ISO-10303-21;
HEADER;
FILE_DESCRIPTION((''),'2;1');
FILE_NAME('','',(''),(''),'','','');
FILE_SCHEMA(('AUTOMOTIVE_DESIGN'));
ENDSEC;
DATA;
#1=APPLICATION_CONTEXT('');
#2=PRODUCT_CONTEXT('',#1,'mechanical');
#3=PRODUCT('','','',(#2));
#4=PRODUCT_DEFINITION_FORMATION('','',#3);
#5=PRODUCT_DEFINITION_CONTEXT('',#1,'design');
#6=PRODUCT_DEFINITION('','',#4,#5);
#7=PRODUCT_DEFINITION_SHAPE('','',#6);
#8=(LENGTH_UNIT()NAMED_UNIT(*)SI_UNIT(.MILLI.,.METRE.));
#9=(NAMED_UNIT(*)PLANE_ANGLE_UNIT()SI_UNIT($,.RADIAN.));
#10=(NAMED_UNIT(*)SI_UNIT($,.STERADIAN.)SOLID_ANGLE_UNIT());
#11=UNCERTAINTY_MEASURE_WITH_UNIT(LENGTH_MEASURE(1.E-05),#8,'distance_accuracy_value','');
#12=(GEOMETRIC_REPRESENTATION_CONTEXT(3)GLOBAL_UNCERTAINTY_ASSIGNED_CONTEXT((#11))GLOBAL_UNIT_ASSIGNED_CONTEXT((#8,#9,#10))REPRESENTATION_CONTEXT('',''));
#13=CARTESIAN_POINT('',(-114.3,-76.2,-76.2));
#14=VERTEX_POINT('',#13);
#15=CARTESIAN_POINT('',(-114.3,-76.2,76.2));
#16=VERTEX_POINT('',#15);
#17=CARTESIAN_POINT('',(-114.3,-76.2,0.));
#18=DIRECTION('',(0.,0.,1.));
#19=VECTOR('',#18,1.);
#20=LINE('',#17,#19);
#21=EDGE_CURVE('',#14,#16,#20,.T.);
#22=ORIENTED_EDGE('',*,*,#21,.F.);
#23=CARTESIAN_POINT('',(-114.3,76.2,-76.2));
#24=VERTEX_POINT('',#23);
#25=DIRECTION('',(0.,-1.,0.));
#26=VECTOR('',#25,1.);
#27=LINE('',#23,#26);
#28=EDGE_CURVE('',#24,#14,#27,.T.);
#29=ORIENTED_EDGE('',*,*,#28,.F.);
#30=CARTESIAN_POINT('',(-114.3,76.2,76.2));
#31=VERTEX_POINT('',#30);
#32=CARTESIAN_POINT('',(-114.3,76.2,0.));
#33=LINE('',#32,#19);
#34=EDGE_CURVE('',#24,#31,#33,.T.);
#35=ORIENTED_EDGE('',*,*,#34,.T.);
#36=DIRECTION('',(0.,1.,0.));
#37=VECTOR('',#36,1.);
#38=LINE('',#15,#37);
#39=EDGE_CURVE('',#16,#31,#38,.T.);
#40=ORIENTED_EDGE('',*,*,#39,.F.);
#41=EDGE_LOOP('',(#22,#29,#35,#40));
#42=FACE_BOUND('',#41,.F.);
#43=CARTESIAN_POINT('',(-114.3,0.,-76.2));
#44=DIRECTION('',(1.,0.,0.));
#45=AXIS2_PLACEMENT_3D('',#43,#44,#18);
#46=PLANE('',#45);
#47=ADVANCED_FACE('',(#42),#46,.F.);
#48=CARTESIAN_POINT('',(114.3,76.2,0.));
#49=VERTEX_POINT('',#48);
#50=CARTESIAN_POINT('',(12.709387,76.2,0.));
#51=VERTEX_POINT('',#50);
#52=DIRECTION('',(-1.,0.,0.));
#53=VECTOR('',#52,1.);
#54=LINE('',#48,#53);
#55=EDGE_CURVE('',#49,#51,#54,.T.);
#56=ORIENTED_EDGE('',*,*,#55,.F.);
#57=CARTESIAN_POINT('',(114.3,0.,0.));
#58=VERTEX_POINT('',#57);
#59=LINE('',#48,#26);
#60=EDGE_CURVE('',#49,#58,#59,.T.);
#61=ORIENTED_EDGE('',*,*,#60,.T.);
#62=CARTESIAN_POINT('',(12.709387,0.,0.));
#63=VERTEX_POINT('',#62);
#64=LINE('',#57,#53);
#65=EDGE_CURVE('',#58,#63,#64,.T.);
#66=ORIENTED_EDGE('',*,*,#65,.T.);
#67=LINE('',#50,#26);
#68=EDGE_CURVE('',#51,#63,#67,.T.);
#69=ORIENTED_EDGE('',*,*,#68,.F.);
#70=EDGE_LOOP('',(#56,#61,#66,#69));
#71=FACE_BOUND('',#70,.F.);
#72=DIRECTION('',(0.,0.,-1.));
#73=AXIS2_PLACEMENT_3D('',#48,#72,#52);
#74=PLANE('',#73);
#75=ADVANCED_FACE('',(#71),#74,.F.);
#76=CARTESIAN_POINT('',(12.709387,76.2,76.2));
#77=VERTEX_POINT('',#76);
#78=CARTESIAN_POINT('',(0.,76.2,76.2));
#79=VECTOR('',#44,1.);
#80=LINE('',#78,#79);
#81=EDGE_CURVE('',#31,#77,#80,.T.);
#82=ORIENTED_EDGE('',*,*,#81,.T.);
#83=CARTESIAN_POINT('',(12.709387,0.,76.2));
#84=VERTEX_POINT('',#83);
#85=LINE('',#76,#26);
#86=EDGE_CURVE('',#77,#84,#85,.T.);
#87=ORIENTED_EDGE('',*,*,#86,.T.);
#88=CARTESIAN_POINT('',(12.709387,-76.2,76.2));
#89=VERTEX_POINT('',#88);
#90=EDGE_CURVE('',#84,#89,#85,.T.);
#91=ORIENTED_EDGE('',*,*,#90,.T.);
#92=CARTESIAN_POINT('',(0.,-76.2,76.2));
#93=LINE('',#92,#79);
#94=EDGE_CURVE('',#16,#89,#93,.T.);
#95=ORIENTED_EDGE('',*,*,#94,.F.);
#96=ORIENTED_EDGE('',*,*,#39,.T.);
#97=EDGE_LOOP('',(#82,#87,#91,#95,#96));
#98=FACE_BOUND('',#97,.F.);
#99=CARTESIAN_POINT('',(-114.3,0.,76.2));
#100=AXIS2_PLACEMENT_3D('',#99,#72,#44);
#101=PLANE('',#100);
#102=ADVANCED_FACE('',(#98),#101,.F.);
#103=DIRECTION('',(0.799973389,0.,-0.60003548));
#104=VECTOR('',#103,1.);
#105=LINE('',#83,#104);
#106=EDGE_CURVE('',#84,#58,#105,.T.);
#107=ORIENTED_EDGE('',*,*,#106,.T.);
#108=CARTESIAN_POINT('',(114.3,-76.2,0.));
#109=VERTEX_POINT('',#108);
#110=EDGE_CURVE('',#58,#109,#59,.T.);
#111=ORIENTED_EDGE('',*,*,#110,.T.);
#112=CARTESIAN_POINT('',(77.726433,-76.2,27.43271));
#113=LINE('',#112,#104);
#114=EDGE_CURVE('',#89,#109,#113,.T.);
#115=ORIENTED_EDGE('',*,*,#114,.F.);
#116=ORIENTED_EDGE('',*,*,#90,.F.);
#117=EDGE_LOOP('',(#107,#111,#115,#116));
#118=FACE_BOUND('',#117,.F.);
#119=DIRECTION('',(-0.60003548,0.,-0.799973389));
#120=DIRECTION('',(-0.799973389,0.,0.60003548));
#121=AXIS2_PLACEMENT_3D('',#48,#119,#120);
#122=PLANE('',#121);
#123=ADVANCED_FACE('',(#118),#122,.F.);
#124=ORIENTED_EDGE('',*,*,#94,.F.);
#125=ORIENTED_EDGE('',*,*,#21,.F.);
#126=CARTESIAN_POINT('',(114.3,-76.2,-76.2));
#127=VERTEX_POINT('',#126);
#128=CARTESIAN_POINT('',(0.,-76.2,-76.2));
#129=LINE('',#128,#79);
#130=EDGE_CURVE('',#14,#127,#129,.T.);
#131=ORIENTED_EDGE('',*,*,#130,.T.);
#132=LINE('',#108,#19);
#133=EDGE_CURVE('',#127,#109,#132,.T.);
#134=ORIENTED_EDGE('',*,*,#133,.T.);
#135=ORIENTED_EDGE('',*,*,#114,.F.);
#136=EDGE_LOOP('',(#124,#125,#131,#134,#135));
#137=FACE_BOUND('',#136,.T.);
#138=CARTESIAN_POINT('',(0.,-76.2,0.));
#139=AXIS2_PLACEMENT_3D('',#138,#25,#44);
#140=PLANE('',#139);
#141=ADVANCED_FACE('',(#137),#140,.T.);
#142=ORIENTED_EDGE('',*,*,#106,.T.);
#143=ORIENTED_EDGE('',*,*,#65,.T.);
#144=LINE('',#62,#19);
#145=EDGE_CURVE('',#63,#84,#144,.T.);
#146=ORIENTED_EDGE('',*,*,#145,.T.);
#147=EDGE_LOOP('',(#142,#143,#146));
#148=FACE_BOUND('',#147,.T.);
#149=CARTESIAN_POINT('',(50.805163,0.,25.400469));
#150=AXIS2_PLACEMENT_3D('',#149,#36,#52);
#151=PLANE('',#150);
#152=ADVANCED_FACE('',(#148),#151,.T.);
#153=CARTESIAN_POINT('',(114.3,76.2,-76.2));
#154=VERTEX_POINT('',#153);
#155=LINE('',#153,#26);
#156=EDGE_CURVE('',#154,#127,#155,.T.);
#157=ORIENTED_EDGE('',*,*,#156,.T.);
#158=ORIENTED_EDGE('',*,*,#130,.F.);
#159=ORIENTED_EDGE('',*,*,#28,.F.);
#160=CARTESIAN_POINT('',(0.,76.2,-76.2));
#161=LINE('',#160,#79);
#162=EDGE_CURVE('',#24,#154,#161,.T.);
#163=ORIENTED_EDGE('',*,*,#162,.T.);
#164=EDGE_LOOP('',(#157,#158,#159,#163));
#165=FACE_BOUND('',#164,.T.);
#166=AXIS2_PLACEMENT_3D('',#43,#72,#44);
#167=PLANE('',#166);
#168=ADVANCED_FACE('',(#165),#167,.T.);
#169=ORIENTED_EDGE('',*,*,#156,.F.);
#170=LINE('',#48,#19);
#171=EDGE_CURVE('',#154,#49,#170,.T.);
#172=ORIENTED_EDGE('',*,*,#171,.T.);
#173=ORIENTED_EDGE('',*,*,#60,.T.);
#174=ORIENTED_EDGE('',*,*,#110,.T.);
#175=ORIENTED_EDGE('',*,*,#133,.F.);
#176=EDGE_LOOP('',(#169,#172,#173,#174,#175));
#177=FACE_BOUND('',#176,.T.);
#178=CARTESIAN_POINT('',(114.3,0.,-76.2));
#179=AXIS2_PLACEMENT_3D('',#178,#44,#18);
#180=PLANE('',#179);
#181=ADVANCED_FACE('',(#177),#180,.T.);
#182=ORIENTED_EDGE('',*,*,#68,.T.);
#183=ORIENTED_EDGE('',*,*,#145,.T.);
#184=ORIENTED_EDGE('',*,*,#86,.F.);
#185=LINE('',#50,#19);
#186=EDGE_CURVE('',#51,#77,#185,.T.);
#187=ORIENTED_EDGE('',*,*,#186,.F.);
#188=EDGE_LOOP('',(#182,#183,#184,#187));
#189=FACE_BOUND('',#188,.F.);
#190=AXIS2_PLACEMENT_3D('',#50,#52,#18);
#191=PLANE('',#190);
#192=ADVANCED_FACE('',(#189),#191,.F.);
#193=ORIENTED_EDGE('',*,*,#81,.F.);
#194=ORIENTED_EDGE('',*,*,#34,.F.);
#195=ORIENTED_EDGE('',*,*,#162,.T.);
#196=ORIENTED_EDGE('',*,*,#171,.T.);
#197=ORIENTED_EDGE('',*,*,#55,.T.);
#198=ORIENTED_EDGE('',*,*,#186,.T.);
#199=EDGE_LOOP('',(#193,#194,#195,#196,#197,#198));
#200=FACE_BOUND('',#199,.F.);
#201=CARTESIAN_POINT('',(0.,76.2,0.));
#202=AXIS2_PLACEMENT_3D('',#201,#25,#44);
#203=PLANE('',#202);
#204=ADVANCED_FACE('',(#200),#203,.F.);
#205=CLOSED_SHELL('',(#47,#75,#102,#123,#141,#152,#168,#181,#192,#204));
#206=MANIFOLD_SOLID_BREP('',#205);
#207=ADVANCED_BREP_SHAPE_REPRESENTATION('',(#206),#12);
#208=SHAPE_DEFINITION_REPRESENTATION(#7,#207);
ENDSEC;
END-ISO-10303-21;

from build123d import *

# Parameters (mm, degrees)
F0_W     = 228.6
F0_H     = 152.4
F1_DEPTH = 76.2
F3_DEPTH = 152.401
F5_DEPTH = 76.2


with BuildPart() as f1:
    # F0 (on Front) → F1 (new body, symmetric)
    with BuildSketch(Plane.XZ):
        Rectangle(F0_W, F0_H)
    extrude(amount=F1_DEPTH, both=True)

    # F2 (on face) → F3 (cut, through all)
    with BuildSketch(Plane(origin=(0, 76.2, 0), x_dir=(-1, 0, 0), z_dir=(0, 1, 0))):
        Polygon((-114.3, 0), (-12.709387, 76.2), (-114.3, 76.2), align=None)
    extrude(amount=-F3_DEPTH, mode=Mode.SUBTRACT)

    # F4 (on face) → F5 (cut)
    with BuildSketch(Plane(origin=(0, 76.2, 0), x_dir=(-1, 0, 0), z_dir=(0, 1, 0))):
        Polygon((-12.709387, 0), (-12.709387, 76.2), (-114.3, 0), align=None)
    extrude(amount=-F5_DEPTH, mode=Mode.SUBTRACT)


solid = f1.part
